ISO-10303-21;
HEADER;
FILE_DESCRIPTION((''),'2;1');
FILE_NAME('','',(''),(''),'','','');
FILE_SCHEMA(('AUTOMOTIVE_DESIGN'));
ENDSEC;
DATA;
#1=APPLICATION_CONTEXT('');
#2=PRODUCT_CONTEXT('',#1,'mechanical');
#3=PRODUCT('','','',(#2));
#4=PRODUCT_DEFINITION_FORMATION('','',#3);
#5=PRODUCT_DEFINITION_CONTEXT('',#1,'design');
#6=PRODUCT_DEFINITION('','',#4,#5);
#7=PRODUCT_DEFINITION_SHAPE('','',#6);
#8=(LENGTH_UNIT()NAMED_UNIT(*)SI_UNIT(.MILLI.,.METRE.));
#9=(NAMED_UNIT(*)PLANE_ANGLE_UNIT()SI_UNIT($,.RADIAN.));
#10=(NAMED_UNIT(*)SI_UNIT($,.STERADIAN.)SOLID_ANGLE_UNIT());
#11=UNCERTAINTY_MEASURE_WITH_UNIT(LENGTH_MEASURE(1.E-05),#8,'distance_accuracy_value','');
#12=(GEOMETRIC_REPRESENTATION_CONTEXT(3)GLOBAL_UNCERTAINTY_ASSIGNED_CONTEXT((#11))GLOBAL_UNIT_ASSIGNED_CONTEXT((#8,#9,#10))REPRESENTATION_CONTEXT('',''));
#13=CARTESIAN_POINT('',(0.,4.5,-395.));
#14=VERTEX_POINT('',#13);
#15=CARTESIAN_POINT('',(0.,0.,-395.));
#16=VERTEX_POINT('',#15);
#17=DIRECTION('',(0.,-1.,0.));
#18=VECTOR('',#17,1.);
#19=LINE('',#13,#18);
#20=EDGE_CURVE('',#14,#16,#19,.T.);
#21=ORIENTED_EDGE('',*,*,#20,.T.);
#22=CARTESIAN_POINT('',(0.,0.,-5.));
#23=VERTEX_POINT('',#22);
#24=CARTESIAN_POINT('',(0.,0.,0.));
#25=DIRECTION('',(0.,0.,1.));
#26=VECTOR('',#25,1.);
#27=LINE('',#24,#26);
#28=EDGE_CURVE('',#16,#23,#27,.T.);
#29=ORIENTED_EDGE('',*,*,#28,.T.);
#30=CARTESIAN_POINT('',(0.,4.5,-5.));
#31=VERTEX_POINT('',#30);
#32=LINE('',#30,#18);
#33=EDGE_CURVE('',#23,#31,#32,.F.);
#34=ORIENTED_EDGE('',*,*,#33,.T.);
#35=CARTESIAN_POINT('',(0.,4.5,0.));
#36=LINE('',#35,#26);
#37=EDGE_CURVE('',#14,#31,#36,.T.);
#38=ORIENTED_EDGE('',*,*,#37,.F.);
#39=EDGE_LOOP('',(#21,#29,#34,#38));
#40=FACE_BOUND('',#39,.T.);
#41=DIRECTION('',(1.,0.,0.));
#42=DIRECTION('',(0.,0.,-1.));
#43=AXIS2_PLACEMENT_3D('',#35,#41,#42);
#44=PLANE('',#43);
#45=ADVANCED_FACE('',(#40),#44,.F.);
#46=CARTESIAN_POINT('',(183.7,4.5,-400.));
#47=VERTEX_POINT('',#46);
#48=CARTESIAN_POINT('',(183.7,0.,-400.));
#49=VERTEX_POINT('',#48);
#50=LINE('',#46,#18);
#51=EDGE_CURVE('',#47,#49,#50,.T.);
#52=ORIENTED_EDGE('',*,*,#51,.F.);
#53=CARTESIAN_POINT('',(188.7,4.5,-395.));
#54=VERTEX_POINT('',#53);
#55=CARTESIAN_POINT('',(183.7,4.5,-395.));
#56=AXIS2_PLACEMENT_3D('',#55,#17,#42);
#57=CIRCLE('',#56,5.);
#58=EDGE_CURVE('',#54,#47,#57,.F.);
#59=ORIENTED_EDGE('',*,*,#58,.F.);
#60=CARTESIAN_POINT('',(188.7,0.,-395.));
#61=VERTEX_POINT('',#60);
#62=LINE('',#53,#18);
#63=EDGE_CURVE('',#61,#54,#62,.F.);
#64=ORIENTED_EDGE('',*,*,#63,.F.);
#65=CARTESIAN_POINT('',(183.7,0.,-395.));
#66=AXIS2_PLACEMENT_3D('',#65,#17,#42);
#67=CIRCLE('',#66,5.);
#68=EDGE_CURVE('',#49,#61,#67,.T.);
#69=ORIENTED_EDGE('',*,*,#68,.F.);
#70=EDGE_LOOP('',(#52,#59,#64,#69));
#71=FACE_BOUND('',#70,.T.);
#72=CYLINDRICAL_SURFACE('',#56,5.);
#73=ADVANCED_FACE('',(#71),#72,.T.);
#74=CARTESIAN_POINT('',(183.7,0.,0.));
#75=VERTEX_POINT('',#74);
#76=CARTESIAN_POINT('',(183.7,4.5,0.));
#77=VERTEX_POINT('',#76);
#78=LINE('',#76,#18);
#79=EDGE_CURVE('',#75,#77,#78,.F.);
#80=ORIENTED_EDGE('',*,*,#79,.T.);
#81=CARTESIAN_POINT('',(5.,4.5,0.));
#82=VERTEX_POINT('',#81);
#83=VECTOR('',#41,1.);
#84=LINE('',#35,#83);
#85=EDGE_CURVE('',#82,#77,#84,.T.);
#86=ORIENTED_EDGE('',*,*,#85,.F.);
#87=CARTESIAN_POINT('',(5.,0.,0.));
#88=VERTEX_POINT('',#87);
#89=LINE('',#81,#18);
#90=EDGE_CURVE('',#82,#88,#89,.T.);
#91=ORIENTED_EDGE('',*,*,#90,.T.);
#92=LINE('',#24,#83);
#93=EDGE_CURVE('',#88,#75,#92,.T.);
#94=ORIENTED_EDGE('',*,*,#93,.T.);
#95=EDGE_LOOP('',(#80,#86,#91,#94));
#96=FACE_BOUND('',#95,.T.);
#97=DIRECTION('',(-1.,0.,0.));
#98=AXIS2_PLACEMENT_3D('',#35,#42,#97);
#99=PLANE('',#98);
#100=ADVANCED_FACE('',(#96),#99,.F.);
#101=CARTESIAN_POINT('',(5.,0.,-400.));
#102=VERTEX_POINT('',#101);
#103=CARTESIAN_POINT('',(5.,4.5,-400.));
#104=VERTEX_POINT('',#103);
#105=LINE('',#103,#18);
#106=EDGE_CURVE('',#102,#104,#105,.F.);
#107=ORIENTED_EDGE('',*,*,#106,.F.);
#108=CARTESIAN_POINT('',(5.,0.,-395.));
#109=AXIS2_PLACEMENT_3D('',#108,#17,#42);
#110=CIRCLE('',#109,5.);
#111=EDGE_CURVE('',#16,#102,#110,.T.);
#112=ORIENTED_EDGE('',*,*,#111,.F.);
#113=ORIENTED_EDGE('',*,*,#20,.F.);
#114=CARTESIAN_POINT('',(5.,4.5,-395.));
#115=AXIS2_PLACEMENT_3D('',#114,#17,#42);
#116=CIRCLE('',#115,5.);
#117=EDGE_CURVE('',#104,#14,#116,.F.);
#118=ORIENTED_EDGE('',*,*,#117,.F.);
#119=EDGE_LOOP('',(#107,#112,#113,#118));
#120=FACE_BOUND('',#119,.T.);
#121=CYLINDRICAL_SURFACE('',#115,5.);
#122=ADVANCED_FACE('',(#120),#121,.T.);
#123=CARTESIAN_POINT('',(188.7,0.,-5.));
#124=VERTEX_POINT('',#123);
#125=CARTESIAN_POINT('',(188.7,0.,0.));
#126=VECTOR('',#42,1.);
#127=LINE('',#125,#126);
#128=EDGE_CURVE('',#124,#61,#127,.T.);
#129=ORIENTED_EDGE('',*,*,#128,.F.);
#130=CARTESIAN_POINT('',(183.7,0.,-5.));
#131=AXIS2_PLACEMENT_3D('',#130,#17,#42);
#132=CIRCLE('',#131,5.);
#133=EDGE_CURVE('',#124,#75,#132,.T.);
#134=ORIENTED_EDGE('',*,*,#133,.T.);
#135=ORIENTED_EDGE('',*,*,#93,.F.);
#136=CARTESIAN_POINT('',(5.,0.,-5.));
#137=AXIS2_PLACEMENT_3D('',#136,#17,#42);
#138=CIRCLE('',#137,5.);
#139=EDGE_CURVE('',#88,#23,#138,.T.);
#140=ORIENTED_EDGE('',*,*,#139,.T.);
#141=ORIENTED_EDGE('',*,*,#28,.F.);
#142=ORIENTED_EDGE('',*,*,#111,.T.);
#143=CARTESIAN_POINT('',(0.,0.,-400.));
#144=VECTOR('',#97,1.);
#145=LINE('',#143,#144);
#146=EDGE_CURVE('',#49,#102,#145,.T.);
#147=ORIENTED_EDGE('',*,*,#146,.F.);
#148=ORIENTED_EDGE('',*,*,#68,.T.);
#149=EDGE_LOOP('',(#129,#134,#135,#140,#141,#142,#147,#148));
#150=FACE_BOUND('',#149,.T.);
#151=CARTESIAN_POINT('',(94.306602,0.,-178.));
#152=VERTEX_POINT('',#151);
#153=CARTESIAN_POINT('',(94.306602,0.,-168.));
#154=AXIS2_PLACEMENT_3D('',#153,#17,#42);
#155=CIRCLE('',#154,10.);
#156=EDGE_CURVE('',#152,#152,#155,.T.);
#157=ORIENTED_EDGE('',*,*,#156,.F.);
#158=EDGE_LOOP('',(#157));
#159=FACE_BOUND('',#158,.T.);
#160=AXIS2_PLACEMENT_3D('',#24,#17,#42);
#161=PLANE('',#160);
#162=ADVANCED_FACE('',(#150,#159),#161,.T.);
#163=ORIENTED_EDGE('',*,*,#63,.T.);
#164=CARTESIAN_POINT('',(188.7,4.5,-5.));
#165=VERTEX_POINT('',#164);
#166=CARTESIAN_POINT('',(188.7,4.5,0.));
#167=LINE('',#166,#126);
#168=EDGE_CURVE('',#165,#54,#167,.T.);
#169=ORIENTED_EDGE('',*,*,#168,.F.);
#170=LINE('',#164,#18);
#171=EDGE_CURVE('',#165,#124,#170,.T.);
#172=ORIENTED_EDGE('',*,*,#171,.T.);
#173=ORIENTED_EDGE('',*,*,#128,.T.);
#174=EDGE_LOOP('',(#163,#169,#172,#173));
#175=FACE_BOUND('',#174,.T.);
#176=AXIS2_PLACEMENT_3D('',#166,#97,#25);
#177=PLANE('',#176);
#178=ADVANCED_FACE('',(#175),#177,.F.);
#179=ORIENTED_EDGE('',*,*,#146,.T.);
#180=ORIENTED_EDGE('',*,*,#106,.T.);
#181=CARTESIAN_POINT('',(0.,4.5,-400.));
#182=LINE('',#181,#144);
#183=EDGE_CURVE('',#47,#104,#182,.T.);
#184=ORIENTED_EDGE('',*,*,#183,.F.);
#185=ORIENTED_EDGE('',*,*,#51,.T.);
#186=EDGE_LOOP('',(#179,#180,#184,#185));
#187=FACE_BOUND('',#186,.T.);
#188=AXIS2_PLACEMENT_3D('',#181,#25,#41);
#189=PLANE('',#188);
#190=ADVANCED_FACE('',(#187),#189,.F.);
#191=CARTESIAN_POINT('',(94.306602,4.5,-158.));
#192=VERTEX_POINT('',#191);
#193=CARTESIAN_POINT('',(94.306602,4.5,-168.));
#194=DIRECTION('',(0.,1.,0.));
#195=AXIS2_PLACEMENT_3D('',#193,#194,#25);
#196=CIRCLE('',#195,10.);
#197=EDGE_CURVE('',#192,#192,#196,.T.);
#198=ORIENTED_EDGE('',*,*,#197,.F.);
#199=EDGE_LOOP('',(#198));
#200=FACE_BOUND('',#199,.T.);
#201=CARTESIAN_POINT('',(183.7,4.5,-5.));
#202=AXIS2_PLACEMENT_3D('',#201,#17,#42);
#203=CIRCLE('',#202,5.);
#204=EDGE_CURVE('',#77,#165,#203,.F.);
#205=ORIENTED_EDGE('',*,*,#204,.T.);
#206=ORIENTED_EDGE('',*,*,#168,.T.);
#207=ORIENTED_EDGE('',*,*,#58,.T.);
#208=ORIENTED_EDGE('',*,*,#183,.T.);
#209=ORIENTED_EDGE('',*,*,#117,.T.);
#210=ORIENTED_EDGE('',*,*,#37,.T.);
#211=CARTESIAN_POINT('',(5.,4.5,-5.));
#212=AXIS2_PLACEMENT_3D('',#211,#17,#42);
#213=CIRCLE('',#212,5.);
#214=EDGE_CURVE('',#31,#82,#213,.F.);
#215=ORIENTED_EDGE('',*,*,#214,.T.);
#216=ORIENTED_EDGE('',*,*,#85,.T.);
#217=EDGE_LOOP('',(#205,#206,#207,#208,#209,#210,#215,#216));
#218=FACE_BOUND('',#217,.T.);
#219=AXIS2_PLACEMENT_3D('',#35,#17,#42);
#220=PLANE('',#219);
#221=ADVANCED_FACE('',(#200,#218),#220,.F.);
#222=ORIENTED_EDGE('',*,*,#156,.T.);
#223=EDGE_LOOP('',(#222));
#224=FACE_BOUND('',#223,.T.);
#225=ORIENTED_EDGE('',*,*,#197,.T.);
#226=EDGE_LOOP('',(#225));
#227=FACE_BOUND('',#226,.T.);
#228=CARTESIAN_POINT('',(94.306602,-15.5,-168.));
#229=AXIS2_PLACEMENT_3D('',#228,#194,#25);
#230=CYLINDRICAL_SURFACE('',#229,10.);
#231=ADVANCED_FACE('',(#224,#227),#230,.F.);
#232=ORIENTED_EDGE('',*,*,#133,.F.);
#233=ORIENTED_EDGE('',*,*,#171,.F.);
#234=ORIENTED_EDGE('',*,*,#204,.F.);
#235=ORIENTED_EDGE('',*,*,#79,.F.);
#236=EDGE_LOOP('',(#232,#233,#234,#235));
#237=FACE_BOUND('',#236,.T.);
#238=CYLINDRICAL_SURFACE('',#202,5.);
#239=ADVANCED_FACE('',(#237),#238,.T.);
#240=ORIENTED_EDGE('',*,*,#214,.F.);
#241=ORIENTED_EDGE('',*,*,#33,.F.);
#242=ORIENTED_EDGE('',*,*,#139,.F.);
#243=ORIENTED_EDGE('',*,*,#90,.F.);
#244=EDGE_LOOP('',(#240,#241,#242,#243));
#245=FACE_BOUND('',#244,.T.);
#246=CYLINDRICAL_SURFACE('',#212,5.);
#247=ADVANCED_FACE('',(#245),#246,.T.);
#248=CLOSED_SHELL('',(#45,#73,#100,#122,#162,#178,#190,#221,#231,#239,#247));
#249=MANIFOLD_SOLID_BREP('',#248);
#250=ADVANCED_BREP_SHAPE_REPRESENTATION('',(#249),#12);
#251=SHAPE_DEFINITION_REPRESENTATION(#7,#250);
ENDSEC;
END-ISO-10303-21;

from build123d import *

# Parameters (mm, degrees)
SKETCH1_W           = 188.7
SKETCH1_H           = 400
BOSS_EXTRUDE1_DEPTH = 4.5
FILLET1_R           = 5
SKETCH3_R           = 10
CUT_EXTRUDE2_DEPTH  = 20


with BuildPart() as part:
    # Sketch1 → Boss-Extrude1 (new body)
    with BuildSketch(Plane(origin=(0, 0, 0), x_dir=(1, 0, 0), z_dir=(0, 1, 0))):
        with Locations((94.35, 200)):
            Rectangle(SKETCH1_W, SKETCH1_H)
    extrude(amount=BOSS_EXTRUDE1_DEPTH)

    # Fillet1
    fillet1_edges = [part.edges().sort_by_distance(p)[0] for p in [
        (0, 2.25, -400),
        (188.7, 2.25, -400),
        (188.7, 2.25, 0),
        (0, 2.25, 0),
    ]]
    fillet(fillet1_edges, radius=FILLET1_R)

    # Sketch3 → Cut-Extrude2 (cut)
    with BuildSketch(Plane(origin=(0, 4.5, 0), x_dir=(1, 0, 0), z_dir=(0, 1, 0))):
        with Locations(Location((94.306601718, 168, 0), (0, 0, 270))):
            Circle(SKETCH3_R)
    extrude(amount=-CUT_EXTRUDE2_DEPTH, mode=Mode.SUBTRACT)


solid = part.part
